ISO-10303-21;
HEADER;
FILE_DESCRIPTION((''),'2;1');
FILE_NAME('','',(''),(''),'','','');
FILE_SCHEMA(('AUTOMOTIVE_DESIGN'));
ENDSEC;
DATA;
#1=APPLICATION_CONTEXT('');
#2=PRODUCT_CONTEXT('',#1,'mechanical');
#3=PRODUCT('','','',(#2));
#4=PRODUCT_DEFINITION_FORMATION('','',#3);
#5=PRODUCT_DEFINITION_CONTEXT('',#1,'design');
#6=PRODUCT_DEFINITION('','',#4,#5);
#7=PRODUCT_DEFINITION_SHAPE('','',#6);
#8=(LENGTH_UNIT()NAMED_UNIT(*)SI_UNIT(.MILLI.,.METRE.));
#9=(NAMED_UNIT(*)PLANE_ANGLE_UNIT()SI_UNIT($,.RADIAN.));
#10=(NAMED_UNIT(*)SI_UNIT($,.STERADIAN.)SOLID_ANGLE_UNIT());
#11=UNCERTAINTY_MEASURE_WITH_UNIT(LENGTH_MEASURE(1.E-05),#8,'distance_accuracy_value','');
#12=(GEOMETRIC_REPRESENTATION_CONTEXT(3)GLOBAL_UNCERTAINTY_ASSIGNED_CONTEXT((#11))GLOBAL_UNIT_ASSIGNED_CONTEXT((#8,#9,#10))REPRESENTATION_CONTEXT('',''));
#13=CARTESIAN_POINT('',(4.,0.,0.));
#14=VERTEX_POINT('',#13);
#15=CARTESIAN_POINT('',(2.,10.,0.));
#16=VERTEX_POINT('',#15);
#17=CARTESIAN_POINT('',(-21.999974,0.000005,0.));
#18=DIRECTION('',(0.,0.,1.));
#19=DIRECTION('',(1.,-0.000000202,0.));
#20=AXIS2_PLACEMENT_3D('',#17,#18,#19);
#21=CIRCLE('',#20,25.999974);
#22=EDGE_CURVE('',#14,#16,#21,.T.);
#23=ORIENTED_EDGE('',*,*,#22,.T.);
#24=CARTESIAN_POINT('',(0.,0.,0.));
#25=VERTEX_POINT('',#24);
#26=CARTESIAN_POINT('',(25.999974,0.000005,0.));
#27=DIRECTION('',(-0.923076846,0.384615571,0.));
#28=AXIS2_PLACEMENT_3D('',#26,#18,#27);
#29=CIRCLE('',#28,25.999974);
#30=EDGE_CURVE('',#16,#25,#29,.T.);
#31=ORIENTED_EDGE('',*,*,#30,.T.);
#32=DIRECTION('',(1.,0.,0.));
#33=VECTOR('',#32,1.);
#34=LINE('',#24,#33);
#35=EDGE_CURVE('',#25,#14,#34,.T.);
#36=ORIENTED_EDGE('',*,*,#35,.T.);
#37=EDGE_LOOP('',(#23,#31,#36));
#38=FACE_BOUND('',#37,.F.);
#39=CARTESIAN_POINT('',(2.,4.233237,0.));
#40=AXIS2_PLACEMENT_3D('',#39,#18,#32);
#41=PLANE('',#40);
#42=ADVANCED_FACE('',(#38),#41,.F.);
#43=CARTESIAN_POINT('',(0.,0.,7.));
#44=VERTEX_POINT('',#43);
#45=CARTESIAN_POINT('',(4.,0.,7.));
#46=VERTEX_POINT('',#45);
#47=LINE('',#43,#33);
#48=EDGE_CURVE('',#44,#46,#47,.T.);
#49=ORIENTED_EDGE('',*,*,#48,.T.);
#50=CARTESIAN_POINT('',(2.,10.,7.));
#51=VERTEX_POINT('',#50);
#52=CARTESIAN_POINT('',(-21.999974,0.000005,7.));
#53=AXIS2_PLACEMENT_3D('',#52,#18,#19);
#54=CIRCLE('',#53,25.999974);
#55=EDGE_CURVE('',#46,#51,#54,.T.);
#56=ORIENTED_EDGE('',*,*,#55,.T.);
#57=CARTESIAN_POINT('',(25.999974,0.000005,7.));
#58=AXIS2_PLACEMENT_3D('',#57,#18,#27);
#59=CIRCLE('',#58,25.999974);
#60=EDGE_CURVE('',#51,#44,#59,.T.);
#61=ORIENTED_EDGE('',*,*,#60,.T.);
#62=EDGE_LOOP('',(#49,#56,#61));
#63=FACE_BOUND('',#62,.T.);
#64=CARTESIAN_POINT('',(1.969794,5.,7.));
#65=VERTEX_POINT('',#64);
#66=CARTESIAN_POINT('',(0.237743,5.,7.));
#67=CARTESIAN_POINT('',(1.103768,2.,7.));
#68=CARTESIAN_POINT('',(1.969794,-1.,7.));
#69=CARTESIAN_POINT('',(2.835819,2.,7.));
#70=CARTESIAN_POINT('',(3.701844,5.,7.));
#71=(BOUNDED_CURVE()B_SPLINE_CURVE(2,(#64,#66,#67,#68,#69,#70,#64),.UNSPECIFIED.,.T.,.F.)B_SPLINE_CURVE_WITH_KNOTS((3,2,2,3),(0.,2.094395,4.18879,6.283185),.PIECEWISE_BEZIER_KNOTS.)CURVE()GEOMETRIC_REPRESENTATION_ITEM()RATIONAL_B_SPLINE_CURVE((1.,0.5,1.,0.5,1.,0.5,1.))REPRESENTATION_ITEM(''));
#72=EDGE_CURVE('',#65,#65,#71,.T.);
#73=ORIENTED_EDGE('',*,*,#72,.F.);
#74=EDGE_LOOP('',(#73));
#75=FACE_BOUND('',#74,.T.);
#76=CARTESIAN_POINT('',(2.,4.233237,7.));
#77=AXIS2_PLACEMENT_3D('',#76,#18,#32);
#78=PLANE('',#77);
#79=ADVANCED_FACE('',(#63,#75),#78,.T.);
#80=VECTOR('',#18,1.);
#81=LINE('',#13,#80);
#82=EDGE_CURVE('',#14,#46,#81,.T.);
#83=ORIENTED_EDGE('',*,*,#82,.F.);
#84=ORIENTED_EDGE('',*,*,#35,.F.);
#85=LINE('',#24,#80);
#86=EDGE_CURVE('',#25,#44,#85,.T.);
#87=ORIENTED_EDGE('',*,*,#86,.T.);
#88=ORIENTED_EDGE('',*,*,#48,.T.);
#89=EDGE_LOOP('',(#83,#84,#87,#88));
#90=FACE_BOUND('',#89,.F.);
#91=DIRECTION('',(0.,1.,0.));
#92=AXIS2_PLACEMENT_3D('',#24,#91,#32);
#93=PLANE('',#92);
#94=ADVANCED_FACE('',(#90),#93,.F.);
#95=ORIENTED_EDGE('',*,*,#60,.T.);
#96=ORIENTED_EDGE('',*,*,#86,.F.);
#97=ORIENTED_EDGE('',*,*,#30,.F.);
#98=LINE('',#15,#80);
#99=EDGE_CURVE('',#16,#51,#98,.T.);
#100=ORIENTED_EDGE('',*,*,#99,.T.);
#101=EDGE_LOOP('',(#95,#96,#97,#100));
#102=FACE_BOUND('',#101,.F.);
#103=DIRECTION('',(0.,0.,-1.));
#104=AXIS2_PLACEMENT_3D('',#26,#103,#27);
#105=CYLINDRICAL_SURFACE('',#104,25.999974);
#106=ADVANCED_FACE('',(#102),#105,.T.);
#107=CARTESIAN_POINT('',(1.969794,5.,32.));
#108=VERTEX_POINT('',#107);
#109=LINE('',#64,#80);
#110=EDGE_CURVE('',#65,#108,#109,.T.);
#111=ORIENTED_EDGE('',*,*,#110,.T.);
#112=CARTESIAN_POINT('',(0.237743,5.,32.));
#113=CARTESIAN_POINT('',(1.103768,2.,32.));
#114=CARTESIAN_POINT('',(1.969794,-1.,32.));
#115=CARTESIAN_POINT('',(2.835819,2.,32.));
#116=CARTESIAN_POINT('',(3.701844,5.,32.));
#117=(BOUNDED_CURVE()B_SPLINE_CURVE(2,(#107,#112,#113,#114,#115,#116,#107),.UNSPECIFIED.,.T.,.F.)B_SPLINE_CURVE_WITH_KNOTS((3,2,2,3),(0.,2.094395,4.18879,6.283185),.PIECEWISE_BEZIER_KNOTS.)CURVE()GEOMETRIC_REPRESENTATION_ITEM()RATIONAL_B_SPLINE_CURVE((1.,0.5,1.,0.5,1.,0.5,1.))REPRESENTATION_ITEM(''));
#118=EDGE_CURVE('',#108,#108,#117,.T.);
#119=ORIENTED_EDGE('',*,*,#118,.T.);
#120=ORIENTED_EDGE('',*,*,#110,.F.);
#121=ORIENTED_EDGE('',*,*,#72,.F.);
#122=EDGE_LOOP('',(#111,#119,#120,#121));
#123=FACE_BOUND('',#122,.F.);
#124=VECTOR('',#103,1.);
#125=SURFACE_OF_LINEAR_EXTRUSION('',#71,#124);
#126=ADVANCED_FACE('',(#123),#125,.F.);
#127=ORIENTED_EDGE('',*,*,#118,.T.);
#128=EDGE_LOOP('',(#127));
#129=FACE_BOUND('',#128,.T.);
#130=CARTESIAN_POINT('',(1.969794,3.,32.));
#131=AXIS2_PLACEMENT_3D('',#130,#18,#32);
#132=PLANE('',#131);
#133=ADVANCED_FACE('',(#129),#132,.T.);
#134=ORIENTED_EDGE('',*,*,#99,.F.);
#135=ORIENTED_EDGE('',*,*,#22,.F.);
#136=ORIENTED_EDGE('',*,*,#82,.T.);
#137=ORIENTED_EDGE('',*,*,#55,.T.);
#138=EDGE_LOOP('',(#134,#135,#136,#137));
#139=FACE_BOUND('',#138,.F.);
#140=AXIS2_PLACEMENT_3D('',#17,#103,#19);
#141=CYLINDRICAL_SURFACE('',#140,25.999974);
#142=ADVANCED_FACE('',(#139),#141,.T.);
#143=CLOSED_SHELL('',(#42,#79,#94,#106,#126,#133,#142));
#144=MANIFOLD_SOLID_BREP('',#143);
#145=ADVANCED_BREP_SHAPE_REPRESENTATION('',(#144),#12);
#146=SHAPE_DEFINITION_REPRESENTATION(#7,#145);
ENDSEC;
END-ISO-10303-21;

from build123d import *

# Parameters (mm, degrees)
F1_DEPTH = 7
F3_DEPTH = 25


with BuildPart() as f1:
    # F0 (on Top) → F1 (new body)
    with BuildSketch(Plane.XY):
        with BuildLine():
            ThreePointArc((2, 10), (0.504902, 5.09902), (0, 0))
            Line((0, 0), (4, 0))
            ThreePointArc((4, 0), (3.495098, 5.09902), (2, 10))
        make_face()
    extrude(amount=F1_DEPTH)

    # F2 (on face) → F3 (join)
    with BuildSketch(Plane.XY.offset(7)):
        with BuildLine():
            add(Edge.make_bspline(
                [(1.969794, 5), (0.237743, 5), (1.103768, 2), (1.969794, -1), (2.835819, 2), (3.701844, 5), (1.969794, 5)],
                knots=[0, 0, 0, 2.094395, 2.094395, 4.18879, 4.18879, 6.283185, 6.283185, 6.283185], degree=2, weights=[1, 0.5, 1, 0.5, 1, 0.5, 1]))
        make_face()
    extrude(amount=F3_DEPTH)


solid = f1.part
